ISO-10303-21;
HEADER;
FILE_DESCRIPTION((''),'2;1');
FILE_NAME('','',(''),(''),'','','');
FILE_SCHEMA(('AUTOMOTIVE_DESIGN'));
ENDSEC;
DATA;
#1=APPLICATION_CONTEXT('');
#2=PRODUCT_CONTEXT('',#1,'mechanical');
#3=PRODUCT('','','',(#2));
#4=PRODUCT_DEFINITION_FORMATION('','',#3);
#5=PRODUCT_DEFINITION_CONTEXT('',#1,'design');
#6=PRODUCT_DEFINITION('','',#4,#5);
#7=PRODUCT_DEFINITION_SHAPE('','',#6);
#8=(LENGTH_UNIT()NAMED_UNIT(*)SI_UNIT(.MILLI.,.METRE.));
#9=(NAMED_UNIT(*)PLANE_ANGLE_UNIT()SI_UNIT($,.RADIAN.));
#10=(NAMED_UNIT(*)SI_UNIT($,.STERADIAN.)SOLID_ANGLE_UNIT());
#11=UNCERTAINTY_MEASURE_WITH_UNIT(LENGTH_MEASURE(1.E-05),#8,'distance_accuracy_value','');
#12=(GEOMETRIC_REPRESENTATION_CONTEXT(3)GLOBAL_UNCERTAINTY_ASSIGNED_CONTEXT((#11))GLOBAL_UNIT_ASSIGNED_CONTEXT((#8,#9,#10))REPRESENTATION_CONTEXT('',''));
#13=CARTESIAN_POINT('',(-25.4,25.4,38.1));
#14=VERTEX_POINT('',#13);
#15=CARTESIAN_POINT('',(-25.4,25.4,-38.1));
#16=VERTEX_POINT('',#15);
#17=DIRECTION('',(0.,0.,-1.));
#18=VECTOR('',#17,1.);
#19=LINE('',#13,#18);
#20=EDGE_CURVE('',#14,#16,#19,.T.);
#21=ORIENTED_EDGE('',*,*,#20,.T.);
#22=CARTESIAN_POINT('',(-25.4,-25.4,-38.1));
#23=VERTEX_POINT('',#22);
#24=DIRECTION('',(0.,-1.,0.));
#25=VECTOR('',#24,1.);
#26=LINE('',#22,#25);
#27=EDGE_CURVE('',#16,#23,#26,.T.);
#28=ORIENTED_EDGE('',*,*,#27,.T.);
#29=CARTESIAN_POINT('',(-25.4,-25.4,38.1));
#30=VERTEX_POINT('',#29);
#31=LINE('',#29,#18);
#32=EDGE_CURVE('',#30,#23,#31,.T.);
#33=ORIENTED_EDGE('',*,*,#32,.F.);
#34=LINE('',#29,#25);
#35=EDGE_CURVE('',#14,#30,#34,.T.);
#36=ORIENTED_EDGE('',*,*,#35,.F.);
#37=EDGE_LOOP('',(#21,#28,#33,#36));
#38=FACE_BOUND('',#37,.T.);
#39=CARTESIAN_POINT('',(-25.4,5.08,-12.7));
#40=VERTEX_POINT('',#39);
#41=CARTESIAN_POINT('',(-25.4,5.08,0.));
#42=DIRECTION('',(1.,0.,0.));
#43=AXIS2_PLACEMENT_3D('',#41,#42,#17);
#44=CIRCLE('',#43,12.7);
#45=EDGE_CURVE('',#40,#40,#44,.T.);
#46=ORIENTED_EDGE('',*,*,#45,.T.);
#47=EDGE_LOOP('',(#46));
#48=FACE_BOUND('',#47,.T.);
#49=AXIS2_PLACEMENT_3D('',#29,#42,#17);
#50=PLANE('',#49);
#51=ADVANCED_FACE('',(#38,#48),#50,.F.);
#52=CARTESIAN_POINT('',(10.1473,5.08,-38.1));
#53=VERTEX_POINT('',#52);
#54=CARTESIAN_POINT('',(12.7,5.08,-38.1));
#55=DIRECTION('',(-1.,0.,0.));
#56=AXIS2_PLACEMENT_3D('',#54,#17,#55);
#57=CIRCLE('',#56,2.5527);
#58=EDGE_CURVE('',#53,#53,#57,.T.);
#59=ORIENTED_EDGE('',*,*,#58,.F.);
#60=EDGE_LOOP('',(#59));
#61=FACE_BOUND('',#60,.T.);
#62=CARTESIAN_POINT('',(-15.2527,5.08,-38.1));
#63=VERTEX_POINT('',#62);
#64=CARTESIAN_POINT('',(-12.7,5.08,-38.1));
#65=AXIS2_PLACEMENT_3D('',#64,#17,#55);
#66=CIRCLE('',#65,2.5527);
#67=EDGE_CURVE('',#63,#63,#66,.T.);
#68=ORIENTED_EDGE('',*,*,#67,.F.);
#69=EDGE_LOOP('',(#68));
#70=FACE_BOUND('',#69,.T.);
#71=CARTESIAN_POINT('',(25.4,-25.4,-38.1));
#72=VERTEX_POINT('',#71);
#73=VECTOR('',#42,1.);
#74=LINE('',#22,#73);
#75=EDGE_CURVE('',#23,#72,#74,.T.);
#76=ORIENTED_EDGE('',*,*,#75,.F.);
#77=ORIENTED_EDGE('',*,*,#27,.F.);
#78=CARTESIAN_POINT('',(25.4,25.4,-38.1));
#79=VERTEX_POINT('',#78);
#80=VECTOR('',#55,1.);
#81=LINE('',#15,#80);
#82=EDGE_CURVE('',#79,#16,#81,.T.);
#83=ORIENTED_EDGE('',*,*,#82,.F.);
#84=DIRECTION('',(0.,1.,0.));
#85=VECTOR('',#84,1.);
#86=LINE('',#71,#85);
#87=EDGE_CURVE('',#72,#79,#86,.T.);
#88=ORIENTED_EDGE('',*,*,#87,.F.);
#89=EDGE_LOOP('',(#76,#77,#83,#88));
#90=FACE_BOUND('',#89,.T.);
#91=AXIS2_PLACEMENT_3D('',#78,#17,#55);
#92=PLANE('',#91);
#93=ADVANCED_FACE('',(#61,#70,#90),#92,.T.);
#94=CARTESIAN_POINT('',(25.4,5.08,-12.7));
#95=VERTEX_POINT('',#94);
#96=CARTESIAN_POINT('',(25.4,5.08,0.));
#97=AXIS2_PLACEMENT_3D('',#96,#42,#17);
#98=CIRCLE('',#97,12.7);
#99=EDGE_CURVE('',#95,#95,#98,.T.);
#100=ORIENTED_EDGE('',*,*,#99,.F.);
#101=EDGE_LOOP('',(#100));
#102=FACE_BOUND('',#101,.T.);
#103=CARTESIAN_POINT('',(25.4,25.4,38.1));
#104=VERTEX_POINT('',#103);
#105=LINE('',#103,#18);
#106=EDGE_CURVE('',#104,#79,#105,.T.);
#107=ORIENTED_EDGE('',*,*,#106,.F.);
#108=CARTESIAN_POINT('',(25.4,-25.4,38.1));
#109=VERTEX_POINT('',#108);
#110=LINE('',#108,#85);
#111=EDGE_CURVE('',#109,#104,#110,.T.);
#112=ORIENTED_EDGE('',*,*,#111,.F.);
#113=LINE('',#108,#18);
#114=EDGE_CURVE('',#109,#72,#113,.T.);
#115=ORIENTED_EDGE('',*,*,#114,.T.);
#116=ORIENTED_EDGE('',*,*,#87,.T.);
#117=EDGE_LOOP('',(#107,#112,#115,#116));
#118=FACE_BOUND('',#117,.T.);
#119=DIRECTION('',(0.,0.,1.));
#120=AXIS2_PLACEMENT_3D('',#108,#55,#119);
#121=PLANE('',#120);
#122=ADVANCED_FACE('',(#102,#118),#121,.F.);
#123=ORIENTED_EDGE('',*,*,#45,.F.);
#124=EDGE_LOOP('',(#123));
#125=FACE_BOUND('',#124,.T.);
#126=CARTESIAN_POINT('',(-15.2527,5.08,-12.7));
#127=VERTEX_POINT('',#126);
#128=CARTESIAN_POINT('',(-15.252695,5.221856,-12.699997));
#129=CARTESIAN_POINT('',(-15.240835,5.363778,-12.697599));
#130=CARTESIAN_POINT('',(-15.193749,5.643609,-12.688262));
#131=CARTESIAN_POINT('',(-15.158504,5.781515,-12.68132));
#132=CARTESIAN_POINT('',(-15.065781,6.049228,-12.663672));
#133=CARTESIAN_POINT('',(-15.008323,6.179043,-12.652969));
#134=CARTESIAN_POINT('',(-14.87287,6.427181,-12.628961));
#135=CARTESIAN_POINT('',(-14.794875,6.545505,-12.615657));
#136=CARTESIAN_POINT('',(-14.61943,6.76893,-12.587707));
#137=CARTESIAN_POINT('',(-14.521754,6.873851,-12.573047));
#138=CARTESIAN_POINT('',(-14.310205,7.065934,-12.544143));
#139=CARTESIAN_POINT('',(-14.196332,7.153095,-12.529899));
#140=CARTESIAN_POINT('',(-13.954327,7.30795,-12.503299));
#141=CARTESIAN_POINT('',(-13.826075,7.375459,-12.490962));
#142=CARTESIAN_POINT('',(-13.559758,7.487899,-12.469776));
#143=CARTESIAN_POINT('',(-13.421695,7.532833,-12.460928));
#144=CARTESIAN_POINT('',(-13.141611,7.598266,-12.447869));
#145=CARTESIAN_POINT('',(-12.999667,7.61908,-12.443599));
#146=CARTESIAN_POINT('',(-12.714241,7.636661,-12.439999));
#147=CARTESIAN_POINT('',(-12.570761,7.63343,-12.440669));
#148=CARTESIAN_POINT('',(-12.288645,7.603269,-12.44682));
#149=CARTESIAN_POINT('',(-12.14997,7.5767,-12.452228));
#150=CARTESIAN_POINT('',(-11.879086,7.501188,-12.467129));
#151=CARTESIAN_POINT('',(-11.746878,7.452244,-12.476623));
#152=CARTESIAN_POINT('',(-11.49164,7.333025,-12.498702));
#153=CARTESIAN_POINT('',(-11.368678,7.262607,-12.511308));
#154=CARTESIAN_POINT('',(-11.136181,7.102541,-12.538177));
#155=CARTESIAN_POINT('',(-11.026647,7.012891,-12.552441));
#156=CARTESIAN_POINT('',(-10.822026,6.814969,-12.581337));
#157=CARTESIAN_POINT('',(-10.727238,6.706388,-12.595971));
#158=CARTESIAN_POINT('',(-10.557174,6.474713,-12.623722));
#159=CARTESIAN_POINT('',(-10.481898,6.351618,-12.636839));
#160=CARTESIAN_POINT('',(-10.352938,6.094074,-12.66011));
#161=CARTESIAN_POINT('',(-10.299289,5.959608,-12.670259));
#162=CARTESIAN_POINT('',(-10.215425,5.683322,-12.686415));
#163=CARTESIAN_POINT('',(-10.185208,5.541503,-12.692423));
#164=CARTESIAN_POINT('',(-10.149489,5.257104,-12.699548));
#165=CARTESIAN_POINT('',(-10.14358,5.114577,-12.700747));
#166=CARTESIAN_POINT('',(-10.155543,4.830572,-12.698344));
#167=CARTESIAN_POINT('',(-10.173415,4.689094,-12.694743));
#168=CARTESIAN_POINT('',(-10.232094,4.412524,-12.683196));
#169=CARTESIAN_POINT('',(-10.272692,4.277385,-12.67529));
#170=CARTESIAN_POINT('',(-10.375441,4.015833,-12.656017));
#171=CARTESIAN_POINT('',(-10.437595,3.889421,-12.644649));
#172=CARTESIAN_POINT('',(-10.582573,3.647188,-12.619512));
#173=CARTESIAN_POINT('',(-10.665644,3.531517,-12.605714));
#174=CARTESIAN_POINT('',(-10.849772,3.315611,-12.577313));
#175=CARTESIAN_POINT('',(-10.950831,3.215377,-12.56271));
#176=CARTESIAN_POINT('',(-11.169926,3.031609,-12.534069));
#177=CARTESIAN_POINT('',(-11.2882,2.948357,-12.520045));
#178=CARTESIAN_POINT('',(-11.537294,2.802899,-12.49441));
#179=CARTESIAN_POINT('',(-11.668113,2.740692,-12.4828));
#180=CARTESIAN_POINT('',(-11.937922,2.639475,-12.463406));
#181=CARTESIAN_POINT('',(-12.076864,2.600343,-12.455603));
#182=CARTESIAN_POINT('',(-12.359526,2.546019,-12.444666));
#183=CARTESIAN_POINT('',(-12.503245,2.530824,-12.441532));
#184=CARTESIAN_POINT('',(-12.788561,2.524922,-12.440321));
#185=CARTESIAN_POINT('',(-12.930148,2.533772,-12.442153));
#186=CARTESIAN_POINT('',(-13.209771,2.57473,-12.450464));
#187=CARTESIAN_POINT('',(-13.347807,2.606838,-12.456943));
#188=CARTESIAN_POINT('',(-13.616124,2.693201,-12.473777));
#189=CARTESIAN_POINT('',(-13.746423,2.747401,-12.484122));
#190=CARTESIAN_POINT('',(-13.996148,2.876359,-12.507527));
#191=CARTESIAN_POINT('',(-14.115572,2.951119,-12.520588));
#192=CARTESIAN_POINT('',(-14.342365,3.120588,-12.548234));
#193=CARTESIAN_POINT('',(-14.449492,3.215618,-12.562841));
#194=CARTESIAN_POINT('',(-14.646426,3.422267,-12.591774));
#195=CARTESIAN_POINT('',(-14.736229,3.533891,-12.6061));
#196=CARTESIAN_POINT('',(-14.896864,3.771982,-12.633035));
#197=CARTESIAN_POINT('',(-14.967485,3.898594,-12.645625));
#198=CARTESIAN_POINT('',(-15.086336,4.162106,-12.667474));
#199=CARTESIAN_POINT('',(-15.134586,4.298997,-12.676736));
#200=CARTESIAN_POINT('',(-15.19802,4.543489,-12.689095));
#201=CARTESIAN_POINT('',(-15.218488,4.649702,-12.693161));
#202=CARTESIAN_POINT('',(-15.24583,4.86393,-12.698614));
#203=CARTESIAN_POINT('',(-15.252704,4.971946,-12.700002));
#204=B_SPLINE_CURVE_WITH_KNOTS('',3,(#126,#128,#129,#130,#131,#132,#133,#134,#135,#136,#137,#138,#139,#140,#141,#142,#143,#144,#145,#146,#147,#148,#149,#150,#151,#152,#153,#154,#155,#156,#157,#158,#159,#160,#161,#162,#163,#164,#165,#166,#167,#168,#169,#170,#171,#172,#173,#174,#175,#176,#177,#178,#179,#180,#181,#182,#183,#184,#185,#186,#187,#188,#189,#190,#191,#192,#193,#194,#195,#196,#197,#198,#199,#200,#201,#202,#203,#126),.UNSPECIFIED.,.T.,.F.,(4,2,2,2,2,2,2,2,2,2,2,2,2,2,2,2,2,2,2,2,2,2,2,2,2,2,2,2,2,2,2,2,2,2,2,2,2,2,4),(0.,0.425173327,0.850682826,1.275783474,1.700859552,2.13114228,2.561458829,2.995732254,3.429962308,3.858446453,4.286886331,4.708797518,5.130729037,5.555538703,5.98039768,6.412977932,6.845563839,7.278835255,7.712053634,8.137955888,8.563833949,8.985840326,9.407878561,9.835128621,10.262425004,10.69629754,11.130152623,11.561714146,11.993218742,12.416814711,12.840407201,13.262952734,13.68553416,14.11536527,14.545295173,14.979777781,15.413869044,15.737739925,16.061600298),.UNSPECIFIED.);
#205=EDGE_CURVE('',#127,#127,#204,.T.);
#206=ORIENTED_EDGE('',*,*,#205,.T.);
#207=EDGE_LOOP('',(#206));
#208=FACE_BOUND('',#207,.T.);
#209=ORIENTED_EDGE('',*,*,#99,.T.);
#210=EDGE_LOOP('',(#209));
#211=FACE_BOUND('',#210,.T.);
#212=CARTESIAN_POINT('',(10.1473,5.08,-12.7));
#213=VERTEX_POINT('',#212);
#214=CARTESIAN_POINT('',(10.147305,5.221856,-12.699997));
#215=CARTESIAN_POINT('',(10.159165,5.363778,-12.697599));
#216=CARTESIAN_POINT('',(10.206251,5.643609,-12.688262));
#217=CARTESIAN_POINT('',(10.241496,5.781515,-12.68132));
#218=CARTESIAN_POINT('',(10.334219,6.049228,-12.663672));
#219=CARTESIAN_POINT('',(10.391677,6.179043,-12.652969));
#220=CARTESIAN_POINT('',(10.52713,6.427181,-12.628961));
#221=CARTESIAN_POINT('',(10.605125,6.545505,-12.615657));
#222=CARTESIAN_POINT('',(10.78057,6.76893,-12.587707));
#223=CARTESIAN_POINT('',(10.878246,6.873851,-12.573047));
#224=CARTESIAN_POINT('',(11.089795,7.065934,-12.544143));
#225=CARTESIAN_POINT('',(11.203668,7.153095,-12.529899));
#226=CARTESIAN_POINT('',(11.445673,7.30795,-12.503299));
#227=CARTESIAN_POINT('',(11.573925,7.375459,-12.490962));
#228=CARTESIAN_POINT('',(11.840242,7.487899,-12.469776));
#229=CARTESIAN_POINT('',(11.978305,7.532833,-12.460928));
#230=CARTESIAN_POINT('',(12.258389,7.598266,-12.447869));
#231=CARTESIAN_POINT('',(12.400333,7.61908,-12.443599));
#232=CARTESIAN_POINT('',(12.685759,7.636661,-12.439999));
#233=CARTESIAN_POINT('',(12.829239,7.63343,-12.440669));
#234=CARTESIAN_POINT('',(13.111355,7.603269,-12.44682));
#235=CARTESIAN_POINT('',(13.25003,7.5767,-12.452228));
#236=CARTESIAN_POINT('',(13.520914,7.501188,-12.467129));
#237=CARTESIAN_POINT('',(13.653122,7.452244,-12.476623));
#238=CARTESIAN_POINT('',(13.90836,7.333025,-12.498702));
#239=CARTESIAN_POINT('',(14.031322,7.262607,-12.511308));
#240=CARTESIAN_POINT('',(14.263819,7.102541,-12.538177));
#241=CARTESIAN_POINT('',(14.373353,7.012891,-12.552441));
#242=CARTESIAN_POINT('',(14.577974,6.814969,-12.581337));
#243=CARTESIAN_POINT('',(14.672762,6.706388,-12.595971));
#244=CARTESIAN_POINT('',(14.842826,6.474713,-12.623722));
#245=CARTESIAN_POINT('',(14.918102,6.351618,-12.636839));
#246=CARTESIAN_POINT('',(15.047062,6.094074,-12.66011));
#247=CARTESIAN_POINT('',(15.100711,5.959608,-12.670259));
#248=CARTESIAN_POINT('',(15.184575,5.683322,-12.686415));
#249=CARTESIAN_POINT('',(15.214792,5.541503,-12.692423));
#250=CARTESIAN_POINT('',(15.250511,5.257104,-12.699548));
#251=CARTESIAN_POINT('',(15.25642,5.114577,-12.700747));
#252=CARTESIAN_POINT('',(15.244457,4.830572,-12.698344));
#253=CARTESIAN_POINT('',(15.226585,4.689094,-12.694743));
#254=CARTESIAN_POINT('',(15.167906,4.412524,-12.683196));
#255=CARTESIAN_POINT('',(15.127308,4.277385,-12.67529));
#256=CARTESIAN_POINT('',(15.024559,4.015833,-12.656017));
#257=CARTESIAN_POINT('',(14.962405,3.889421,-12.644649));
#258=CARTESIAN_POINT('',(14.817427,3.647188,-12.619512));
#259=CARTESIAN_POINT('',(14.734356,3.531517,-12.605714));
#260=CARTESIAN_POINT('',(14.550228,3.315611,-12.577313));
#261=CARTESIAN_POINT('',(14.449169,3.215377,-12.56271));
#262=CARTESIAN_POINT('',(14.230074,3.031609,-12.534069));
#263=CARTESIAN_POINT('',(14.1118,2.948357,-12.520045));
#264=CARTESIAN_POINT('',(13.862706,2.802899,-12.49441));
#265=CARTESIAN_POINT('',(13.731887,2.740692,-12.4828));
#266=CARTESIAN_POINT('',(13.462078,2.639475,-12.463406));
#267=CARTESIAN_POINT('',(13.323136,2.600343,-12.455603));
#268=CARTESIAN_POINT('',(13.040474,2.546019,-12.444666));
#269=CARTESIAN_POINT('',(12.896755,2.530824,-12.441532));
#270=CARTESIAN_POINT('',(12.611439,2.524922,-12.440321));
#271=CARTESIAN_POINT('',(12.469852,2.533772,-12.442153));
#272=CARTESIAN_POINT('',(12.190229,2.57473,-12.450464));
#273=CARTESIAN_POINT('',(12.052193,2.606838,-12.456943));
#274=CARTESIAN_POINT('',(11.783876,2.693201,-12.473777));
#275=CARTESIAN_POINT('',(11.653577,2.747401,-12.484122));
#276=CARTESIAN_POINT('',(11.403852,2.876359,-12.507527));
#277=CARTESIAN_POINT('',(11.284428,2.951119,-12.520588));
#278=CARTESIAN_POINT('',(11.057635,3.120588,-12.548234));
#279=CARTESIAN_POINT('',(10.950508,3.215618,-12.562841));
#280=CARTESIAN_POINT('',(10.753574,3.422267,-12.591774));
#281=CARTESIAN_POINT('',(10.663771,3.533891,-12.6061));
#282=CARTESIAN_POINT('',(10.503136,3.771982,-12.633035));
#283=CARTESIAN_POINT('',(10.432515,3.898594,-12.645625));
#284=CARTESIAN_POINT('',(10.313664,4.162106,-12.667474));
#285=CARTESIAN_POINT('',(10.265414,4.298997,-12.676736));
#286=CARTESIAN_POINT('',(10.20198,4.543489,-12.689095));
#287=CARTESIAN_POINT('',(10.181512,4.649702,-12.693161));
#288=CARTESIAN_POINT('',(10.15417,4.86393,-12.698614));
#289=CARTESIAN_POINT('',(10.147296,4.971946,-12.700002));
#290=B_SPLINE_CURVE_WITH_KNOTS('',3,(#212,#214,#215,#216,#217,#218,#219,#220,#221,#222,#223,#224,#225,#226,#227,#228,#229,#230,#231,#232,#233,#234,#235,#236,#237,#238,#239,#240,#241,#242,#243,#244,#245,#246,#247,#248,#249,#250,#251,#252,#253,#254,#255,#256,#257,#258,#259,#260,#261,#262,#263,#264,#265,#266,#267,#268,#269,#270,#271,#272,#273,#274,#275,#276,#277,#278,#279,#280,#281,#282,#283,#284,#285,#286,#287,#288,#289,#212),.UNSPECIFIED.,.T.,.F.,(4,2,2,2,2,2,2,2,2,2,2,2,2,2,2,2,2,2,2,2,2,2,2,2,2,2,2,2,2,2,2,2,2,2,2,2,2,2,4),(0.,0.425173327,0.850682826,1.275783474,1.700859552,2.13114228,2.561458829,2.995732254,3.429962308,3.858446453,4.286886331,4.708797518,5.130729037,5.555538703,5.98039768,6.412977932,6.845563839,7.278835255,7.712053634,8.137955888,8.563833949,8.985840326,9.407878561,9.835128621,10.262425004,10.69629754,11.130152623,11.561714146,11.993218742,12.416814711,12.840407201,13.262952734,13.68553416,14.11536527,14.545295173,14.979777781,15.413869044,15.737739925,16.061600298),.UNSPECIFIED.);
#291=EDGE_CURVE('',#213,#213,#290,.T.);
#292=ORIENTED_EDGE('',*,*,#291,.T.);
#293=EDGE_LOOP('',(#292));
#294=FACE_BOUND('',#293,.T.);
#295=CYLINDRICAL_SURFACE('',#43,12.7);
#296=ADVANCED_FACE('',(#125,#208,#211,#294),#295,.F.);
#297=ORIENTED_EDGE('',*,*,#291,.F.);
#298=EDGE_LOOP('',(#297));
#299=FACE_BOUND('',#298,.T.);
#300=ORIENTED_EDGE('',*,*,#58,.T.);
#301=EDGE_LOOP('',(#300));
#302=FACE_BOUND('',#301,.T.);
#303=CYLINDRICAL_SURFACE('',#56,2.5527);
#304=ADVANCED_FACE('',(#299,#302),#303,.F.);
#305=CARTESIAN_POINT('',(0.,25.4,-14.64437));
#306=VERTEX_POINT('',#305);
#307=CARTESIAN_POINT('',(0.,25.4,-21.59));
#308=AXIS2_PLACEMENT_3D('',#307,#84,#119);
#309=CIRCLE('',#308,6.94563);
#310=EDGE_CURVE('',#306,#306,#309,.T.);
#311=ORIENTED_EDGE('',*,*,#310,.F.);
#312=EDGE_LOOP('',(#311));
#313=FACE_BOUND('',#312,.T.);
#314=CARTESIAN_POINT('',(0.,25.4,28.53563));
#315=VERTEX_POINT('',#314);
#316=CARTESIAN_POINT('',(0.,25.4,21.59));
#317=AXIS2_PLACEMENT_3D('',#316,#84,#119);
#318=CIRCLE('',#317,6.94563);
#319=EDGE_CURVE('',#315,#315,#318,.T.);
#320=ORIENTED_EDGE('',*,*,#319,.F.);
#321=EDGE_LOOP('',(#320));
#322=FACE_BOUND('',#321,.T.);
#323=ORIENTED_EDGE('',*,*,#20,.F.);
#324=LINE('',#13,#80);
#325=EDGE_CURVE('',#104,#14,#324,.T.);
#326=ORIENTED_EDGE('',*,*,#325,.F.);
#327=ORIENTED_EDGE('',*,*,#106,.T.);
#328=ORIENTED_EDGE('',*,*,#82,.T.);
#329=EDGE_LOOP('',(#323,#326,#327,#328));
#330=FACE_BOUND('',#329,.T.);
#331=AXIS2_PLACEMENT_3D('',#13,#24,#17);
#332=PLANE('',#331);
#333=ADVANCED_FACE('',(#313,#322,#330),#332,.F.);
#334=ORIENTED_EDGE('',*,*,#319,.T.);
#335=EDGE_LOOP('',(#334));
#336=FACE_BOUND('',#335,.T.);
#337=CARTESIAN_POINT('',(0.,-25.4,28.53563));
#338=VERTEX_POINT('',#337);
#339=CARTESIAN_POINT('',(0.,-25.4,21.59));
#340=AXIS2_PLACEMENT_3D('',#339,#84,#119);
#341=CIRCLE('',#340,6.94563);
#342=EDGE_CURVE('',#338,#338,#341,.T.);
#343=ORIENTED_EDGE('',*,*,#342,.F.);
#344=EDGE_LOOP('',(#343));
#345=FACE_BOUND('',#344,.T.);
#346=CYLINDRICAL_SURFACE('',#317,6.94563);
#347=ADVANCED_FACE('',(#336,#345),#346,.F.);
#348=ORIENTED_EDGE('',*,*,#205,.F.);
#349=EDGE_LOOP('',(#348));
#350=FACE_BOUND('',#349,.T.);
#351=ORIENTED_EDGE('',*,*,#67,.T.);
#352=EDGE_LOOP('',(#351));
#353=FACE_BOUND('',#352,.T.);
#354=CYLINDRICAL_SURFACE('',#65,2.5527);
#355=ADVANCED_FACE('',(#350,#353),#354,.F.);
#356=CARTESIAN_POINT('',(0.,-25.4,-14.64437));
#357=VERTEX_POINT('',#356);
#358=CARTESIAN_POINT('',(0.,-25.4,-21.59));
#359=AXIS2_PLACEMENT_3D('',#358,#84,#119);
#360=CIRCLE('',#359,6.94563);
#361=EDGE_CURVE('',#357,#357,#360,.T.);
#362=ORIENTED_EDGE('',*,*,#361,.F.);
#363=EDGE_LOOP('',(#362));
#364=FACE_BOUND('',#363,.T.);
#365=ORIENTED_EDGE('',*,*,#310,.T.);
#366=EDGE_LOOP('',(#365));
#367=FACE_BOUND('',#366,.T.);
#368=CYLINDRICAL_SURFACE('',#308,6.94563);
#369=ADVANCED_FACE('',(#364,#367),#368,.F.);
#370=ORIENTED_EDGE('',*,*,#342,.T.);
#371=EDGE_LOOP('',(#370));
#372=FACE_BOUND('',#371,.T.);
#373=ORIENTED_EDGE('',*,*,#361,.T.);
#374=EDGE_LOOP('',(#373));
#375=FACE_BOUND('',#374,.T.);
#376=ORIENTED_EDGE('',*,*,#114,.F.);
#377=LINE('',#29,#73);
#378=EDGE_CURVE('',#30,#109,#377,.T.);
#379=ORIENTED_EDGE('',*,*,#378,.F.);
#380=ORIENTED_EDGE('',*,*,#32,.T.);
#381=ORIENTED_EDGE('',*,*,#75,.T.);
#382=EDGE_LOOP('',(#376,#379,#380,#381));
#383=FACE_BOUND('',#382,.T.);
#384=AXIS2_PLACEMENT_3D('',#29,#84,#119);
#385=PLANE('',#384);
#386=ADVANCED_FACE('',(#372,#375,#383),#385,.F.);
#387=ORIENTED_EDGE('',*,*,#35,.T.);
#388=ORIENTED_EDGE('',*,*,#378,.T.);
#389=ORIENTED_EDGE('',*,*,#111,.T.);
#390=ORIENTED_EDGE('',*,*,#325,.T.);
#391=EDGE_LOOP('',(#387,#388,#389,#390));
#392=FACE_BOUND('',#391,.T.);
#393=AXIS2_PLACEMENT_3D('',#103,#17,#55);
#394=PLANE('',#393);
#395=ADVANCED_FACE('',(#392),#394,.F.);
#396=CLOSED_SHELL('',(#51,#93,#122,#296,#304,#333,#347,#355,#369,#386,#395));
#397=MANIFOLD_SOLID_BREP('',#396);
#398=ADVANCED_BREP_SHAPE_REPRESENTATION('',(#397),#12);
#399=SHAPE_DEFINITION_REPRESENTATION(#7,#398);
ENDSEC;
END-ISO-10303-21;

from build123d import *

# Parameters (mm, degrees)
SKETCH1_W                    = 50.8
SKETCH1_H                    = 50.8
EXTRUDE1_DEPTH               = 38.1
SKETCH2_R                    = 12.7
EXTRUDE2_DEPTH               = 69.391593051
F_1_2_CLEARANCE_HOLE1_D      = 13.89126
F_1_4_20_TAPPED_HOLE1_REACH  = 92.482
F_1_4_20_TAPPED_HOLE1_BORE_R = 2.5527


with BuildPart() as part:
    # Sketch1 → Extrude1 (new, symmetric)
    with BuildSketch(Plane.XY):
        Rectangle(SKETCH1_W, SKETCH1_H)
    extrude(amount=EXTRUDE1_DEPTH, both=True)

    # Sketch2 → Extrude2 (cut, through all)
    with BuildSketch(Plane(origin=(25.4, 0, 0), x_dir=(0, 0, -1), z_dir=(1, 0, 0))):
        with Locations((0, 5.08)):
            Circle(SKETCH2_R)
    extrude(amount=-EXTRUDE2_DEPTH, mode=Mode.SUBTRACT)

    # 1/2 Clearance Hole1 (through all)
    with Locations(Plane(origin=(0, 25.4, 21.59), x_dir=(0, 0, 1), z_dir=(0, 1, 0))):
        with Locations((0, 0)):
            f_1_2_clearance_hole1 = Hole(F_1_2_CLEARANCE_HOLE1_D / 2)

    # Mirror1: 1/2 Clearance Hole1 across plane
    add(f_1_2_clearance_hole1.mirror(Plane.XY), mode=Mode.SUBTRACT)

    # 1/4-20 Tapped Hole1 bore (on position points) → 1/4-20 Tapped Hole1 (cut, up to next)
    with BuildSketch(Plane(origin=(12.7, 5.08, -38.1), x_dir=(-1, 0, 0), z_dir=(0, 0, -1)), mode=Mode.PRIVATE) as f_1_4_20_tapped_hole1_sk1:
        Circle(F_1_4_20_TAPPED_HOLE1_BORE_R)
    f_1_4_20_tapped_hole1_tool1 = extrude(f_1_4_20_tapped_hole1_sk1.sketch, amount=-F_1_4_20_TAPPED_HOLE1_REACH, mode=Mode.PRIVATE) & part.part
    f_1_4_20_tapped_hole1 = f_1_4_20_tapped_hole1_tool1.solids().sort_by_distance((12.7, 5.08, -38.1))[0]
    add(f_1_4_20_tapped_hole1, mode=Mode.SUBTRACT)

    # Mirror2: 1/4-20 Tapped Hole1 across plane
    add(f_1_4_20_tapped_hole1.mirror(Plane(origin=(0, 0, 0), x_dir=(0, 0, 1), z_dir=(1, 0, 0))), mode=Mode.SUBTRACT)


solid = part.part
